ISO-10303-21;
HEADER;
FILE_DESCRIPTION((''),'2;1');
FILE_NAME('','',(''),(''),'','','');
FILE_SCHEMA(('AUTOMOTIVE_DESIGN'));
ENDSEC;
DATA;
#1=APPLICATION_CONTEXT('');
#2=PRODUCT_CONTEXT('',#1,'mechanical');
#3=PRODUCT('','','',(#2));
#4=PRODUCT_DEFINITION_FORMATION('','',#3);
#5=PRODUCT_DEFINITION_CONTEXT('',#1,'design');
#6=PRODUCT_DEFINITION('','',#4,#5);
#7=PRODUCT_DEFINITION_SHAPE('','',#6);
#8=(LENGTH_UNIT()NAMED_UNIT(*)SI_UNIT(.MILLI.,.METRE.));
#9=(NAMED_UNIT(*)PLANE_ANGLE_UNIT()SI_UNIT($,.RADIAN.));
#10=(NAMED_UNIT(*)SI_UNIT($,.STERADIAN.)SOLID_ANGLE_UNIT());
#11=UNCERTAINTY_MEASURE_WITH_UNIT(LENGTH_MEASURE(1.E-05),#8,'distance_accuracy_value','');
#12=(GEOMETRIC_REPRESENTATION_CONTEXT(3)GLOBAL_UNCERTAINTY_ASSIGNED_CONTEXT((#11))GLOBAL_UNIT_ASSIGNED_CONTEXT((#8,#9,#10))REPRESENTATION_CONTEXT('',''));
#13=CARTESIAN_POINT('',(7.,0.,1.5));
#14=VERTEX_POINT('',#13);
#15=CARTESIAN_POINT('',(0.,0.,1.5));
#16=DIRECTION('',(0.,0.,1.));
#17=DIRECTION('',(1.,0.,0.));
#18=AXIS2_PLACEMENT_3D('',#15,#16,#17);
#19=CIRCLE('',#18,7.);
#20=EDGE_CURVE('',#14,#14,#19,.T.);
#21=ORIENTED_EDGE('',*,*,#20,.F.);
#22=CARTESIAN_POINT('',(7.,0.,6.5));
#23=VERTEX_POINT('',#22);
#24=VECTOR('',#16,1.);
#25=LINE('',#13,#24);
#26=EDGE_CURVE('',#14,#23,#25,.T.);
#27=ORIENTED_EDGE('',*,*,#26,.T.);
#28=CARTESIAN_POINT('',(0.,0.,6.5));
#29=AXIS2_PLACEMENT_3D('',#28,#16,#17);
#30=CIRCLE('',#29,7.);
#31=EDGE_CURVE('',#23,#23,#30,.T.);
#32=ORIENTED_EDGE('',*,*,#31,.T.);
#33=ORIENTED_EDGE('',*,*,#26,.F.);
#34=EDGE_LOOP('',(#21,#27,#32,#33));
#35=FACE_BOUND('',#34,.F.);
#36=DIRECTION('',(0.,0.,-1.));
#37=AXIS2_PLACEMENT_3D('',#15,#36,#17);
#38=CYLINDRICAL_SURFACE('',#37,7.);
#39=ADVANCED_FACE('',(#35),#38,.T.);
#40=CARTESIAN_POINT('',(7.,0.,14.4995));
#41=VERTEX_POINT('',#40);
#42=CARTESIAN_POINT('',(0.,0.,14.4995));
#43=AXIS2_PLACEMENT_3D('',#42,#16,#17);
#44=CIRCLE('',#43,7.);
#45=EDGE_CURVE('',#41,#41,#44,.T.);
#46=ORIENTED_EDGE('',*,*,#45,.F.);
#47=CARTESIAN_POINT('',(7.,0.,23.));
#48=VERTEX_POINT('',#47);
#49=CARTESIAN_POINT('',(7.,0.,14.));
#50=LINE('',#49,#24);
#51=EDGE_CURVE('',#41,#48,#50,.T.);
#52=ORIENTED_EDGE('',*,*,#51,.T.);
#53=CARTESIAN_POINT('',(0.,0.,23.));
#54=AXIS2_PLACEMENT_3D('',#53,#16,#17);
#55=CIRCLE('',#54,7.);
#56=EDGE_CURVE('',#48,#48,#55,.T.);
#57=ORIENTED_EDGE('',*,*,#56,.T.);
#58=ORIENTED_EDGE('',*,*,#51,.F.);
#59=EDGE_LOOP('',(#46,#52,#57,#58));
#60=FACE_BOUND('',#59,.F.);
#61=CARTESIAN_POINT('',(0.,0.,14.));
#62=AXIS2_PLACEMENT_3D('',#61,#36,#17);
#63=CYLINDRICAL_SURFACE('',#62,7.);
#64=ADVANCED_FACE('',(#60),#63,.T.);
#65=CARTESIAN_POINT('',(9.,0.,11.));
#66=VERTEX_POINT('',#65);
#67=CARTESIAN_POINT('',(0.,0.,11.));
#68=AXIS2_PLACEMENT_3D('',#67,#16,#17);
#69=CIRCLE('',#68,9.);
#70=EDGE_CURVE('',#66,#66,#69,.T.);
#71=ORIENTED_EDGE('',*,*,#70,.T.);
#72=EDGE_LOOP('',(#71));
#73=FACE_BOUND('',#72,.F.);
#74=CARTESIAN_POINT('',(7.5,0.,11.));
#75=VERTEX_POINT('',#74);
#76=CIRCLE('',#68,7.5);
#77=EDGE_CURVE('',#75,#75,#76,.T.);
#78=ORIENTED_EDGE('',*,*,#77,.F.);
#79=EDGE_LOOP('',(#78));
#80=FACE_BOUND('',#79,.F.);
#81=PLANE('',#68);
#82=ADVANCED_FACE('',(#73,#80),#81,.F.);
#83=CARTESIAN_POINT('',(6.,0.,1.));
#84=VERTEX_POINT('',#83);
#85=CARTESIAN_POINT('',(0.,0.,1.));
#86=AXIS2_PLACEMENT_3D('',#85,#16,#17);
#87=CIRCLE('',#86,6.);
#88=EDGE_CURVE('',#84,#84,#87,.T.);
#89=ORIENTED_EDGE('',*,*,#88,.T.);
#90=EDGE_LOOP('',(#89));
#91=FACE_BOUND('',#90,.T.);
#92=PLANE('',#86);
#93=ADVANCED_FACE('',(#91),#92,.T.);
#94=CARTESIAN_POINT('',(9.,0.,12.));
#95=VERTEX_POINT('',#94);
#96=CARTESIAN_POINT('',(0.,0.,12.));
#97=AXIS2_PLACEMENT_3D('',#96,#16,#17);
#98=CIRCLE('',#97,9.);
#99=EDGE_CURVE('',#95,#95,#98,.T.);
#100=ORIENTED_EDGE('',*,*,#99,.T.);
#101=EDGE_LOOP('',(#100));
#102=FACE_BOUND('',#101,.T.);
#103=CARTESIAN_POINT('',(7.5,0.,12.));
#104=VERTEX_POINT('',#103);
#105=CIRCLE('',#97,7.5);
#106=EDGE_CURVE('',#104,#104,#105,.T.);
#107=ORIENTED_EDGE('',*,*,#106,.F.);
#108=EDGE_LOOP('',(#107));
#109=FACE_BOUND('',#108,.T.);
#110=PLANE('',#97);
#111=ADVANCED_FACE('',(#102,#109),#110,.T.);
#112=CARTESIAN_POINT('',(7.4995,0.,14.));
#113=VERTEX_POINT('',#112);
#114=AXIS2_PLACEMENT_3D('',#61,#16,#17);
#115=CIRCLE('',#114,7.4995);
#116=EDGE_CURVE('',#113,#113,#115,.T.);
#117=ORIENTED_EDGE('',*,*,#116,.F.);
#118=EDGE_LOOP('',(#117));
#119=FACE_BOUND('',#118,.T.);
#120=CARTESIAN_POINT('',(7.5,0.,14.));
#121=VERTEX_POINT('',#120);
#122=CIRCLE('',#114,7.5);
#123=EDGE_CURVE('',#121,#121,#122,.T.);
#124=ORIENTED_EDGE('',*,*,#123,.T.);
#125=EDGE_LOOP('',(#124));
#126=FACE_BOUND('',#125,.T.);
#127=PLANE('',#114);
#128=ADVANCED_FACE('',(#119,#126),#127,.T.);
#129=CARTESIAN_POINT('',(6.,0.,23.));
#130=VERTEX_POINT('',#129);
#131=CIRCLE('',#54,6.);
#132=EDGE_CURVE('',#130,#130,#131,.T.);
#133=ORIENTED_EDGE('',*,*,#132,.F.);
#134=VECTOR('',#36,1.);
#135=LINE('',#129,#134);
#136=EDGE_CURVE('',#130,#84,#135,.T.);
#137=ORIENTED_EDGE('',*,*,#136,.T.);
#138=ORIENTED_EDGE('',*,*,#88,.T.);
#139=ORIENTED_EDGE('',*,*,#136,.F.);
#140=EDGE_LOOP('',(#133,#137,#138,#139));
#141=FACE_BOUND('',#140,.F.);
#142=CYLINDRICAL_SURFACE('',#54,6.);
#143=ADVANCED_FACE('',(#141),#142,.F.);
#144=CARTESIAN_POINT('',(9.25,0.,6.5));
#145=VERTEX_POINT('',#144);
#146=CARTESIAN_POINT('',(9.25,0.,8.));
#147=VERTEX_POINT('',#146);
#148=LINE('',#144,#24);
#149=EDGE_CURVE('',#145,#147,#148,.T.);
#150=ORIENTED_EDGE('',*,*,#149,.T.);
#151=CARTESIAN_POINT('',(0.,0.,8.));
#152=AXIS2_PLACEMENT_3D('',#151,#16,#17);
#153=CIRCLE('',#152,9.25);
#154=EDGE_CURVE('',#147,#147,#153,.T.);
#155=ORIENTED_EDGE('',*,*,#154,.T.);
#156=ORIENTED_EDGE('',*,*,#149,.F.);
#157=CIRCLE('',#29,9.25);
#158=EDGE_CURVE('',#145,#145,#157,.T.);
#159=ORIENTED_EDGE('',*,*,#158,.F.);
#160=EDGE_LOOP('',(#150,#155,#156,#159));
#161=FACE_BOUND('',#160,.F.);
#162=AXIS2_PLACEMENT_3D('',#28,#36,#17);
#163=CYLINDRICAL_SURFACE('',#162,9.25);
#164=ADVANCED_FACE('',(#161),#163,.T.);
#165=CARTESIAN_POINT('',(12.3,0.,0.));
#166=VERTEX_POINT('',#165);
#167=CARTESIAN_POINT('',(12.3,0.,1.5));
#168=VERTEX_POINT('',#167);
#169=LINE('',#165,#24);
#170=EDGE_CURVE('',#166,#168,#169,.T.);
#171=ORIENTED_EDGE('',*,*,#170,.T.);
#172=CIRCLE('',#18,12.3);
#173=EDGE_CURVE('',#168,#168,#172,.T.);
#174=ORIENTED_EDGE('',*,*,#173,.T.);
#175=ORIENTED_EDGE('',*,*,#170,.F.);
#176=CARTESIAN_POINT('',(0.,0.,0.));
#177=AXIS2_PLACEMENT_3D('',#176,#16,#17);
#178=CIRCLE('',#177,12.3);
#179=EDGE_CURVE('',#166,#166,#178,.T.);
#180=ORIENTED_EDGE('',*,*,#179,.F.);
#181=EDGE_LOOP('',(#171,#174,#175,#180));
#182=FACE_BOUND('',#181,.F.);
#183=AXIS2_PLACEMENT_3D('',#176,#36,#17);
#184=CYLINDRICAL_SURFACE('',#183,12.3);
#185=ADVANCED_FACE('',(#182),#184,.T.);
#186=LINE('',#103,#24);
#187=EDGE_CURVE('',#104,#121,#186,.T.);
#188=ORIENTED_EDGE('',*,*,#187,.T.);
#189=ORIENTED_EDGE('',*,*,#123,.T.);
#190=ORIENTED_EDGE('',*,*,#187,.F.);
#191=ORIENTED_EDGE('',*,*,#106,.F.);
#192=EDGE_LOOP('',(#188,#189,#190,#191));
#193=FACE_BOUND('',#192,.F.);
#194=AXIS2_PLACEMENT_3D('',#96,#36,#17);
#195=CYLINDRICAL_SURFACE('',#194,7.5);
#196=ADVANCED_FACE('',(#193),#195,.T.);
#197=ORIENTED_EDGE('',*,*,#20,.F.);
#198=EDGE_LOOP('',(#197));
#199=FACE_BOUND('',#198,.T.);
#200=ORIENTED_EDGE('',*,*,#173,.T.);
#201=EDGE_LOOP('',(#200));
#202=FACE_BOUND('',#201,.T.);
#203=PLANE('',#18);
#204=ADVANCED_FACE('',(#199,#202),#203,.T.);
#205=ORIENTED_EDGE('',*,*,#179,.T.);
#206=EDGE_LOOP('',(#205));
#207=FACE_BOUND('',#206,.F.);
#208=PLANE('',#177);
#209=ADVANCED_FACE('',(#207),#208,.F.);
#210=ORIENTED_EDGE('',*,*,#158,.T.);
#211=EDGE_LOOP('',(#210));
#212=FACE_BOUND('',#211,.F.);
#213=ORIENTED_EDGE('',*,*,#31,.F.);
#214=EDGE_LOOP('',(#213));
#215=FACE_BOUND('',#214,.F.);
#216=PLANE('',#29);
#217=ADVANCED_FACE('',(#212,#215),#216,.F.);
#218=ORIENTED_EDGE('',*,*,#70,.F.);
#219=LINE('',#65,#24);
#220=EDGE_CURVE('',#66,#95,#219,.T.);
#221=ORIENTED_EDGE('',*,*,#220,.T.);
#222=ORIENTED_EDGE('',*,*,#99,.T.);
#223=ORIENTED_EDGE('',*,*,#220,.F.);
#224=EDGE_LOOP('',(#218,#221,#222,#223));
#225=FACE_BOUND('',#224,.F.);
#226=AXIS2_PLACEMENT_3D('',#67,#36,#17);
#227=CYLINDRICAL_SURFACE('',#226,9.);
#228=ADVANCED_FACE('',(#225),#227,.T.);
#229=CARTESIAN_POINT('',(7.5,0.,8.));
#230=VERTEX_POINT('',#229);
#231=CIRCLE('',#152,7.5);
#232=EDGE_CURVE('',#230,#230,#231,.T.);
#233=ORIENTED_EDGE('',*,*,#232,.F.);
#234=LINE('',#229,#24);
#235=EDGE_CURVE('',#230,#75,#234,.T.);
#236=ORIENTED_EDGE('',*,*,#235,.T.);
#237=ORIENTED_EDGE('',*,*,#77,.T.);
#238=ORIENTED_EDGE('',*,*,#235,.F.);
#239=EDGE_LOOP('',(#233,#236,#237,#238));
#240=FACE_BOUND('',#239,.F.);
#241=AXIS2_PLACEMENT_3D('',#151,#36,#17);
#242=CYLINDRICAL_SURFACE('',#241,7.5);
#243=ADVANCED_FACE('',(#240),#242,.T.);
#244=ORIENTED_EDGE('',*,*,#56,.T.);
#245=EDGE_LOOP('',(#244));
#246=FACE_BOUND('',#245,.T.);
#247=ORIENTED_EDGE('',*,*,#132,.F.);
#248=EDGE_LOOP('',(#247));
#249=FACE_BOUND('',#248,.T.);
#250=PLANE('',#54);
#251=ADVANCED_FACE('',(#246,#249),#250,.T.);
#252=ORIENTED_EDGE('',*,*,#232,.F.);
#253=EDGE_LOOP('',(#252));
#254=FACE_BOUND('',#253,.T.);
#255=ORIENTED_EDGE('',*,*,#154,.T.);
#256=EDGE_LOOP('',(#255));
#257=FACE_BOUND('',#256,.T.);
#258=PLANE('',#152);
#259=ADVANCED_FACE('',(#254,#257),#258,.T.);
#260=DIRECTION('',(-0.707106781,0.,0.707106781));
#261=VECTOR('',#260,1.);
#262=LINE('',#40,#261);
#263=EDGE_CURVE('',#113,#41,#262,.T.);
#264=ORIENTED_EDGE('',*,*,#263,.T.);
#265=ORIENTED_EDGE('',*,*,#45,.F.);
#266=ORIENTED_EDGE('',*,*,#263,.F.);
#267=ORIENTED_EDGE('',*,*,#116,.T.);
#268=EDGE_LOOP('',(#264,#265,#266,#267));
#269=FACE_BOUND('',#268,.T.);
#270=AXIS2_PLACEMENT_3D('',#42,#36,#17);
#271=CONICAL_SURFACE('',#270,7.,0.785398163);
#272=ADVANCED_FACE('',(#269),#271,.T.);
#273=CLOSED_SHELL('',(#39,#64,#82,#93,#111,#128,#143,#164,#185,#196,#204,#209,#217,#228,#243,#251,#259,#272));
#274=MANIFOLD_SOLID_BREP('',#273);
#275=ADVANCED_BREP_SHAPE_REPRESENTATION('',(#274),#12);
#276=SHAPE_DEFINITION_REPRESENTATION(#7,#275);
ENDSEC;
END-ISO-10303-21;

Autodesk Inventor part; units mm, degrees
ref_plane "YZ Plane" through (0, 0, 0) normal (1, 0, 0) x (0, 1, 0)
ref_plane "XZ Plane" through (0, 0, 0) normal (0, 1, 0) x (-1, 0, 0)
ref_plane "XY Plane" through (0, 0, 0) normal (0, 0, 1) x (1, 0, 0)
sketch "Esboço1" plane through (0, 0, 0) normal (0, 0, 1) x (1, 0, 0)
  circle A0 centre (0, 0) radius 12.3
  dimension "d0" = 24.6
extrude "Extrusão1" add sketch "Esboço1" along normal blind 1.5
sketch "Esboço2" plane through (0, 0, 1.5) normal (0, 0, 1) x (1, 0, 0)
  circle A0 centre (0, 0) radius 7
  dimension "d3" = 14
extrude "Extrusão2" add sketch "Esboço2" along normal blind 5
sketch "Esboço3" plane through (0, 0, 6.5) normal (0, 0, 1) x (1, 0, 0)
  circle A0 centre (0, 0) radius 9.25
  dimension "d6" = 18.5
extrude "Extrusão3" add sketch "Esboço3" along normal blind 1.5
sketch "Esboço4" plane through (0, 0, 8) normal (0, 0, 1) x (1, 0, 0)
  circle A0 centre (0, 0) radius 7.5
  dimension "d9" = 15
extrude "Extrusão4" add sketch "Esboço4" along normal blind 3
sketch "Esboço5" plane through (0, 0, 11) normal (0, 0, 1) x (1, 0, 0)
  circle A0 centre (0, 0) radius 9
  dimension "d12" = 18
extrude "Extrusão5" add sketch "Esboço5" along normal blind 1
sketch "Esboço6" plane through (0, 0, 12) normal (0, 0, 1) x (1, 0, 0)
  circle A0 centre (0, 0) radius 7.5
  dimension "d15" = 15
extrude "Extrusão6" add sketch "Esboço6" along normal blind 2
sketch "Esboço7" plane through (0, 0, 14) normal (0, 0, 1) x (1, 0, 0)
  circle A0 centre (0, 0) radius 7
  dimension "d18" = 14
extrude "Extrusão7" add sketch "Esboço7" along normal blind 9
chamfer "Chanfro1" distance 0.5 angle 45 1 edges at (-7, 0, 14)
sketch "Esboço8" plane through (0, 0, 23) normal (0, 0, 1) x (1, 0, 0)
  circle A0 centre (0, 0) radius 6
  dimension "d24" = 12
extrude "Extrusão8" cut sketch "Esboço8" against normal blind 22
properties part number "BOTÃO"
